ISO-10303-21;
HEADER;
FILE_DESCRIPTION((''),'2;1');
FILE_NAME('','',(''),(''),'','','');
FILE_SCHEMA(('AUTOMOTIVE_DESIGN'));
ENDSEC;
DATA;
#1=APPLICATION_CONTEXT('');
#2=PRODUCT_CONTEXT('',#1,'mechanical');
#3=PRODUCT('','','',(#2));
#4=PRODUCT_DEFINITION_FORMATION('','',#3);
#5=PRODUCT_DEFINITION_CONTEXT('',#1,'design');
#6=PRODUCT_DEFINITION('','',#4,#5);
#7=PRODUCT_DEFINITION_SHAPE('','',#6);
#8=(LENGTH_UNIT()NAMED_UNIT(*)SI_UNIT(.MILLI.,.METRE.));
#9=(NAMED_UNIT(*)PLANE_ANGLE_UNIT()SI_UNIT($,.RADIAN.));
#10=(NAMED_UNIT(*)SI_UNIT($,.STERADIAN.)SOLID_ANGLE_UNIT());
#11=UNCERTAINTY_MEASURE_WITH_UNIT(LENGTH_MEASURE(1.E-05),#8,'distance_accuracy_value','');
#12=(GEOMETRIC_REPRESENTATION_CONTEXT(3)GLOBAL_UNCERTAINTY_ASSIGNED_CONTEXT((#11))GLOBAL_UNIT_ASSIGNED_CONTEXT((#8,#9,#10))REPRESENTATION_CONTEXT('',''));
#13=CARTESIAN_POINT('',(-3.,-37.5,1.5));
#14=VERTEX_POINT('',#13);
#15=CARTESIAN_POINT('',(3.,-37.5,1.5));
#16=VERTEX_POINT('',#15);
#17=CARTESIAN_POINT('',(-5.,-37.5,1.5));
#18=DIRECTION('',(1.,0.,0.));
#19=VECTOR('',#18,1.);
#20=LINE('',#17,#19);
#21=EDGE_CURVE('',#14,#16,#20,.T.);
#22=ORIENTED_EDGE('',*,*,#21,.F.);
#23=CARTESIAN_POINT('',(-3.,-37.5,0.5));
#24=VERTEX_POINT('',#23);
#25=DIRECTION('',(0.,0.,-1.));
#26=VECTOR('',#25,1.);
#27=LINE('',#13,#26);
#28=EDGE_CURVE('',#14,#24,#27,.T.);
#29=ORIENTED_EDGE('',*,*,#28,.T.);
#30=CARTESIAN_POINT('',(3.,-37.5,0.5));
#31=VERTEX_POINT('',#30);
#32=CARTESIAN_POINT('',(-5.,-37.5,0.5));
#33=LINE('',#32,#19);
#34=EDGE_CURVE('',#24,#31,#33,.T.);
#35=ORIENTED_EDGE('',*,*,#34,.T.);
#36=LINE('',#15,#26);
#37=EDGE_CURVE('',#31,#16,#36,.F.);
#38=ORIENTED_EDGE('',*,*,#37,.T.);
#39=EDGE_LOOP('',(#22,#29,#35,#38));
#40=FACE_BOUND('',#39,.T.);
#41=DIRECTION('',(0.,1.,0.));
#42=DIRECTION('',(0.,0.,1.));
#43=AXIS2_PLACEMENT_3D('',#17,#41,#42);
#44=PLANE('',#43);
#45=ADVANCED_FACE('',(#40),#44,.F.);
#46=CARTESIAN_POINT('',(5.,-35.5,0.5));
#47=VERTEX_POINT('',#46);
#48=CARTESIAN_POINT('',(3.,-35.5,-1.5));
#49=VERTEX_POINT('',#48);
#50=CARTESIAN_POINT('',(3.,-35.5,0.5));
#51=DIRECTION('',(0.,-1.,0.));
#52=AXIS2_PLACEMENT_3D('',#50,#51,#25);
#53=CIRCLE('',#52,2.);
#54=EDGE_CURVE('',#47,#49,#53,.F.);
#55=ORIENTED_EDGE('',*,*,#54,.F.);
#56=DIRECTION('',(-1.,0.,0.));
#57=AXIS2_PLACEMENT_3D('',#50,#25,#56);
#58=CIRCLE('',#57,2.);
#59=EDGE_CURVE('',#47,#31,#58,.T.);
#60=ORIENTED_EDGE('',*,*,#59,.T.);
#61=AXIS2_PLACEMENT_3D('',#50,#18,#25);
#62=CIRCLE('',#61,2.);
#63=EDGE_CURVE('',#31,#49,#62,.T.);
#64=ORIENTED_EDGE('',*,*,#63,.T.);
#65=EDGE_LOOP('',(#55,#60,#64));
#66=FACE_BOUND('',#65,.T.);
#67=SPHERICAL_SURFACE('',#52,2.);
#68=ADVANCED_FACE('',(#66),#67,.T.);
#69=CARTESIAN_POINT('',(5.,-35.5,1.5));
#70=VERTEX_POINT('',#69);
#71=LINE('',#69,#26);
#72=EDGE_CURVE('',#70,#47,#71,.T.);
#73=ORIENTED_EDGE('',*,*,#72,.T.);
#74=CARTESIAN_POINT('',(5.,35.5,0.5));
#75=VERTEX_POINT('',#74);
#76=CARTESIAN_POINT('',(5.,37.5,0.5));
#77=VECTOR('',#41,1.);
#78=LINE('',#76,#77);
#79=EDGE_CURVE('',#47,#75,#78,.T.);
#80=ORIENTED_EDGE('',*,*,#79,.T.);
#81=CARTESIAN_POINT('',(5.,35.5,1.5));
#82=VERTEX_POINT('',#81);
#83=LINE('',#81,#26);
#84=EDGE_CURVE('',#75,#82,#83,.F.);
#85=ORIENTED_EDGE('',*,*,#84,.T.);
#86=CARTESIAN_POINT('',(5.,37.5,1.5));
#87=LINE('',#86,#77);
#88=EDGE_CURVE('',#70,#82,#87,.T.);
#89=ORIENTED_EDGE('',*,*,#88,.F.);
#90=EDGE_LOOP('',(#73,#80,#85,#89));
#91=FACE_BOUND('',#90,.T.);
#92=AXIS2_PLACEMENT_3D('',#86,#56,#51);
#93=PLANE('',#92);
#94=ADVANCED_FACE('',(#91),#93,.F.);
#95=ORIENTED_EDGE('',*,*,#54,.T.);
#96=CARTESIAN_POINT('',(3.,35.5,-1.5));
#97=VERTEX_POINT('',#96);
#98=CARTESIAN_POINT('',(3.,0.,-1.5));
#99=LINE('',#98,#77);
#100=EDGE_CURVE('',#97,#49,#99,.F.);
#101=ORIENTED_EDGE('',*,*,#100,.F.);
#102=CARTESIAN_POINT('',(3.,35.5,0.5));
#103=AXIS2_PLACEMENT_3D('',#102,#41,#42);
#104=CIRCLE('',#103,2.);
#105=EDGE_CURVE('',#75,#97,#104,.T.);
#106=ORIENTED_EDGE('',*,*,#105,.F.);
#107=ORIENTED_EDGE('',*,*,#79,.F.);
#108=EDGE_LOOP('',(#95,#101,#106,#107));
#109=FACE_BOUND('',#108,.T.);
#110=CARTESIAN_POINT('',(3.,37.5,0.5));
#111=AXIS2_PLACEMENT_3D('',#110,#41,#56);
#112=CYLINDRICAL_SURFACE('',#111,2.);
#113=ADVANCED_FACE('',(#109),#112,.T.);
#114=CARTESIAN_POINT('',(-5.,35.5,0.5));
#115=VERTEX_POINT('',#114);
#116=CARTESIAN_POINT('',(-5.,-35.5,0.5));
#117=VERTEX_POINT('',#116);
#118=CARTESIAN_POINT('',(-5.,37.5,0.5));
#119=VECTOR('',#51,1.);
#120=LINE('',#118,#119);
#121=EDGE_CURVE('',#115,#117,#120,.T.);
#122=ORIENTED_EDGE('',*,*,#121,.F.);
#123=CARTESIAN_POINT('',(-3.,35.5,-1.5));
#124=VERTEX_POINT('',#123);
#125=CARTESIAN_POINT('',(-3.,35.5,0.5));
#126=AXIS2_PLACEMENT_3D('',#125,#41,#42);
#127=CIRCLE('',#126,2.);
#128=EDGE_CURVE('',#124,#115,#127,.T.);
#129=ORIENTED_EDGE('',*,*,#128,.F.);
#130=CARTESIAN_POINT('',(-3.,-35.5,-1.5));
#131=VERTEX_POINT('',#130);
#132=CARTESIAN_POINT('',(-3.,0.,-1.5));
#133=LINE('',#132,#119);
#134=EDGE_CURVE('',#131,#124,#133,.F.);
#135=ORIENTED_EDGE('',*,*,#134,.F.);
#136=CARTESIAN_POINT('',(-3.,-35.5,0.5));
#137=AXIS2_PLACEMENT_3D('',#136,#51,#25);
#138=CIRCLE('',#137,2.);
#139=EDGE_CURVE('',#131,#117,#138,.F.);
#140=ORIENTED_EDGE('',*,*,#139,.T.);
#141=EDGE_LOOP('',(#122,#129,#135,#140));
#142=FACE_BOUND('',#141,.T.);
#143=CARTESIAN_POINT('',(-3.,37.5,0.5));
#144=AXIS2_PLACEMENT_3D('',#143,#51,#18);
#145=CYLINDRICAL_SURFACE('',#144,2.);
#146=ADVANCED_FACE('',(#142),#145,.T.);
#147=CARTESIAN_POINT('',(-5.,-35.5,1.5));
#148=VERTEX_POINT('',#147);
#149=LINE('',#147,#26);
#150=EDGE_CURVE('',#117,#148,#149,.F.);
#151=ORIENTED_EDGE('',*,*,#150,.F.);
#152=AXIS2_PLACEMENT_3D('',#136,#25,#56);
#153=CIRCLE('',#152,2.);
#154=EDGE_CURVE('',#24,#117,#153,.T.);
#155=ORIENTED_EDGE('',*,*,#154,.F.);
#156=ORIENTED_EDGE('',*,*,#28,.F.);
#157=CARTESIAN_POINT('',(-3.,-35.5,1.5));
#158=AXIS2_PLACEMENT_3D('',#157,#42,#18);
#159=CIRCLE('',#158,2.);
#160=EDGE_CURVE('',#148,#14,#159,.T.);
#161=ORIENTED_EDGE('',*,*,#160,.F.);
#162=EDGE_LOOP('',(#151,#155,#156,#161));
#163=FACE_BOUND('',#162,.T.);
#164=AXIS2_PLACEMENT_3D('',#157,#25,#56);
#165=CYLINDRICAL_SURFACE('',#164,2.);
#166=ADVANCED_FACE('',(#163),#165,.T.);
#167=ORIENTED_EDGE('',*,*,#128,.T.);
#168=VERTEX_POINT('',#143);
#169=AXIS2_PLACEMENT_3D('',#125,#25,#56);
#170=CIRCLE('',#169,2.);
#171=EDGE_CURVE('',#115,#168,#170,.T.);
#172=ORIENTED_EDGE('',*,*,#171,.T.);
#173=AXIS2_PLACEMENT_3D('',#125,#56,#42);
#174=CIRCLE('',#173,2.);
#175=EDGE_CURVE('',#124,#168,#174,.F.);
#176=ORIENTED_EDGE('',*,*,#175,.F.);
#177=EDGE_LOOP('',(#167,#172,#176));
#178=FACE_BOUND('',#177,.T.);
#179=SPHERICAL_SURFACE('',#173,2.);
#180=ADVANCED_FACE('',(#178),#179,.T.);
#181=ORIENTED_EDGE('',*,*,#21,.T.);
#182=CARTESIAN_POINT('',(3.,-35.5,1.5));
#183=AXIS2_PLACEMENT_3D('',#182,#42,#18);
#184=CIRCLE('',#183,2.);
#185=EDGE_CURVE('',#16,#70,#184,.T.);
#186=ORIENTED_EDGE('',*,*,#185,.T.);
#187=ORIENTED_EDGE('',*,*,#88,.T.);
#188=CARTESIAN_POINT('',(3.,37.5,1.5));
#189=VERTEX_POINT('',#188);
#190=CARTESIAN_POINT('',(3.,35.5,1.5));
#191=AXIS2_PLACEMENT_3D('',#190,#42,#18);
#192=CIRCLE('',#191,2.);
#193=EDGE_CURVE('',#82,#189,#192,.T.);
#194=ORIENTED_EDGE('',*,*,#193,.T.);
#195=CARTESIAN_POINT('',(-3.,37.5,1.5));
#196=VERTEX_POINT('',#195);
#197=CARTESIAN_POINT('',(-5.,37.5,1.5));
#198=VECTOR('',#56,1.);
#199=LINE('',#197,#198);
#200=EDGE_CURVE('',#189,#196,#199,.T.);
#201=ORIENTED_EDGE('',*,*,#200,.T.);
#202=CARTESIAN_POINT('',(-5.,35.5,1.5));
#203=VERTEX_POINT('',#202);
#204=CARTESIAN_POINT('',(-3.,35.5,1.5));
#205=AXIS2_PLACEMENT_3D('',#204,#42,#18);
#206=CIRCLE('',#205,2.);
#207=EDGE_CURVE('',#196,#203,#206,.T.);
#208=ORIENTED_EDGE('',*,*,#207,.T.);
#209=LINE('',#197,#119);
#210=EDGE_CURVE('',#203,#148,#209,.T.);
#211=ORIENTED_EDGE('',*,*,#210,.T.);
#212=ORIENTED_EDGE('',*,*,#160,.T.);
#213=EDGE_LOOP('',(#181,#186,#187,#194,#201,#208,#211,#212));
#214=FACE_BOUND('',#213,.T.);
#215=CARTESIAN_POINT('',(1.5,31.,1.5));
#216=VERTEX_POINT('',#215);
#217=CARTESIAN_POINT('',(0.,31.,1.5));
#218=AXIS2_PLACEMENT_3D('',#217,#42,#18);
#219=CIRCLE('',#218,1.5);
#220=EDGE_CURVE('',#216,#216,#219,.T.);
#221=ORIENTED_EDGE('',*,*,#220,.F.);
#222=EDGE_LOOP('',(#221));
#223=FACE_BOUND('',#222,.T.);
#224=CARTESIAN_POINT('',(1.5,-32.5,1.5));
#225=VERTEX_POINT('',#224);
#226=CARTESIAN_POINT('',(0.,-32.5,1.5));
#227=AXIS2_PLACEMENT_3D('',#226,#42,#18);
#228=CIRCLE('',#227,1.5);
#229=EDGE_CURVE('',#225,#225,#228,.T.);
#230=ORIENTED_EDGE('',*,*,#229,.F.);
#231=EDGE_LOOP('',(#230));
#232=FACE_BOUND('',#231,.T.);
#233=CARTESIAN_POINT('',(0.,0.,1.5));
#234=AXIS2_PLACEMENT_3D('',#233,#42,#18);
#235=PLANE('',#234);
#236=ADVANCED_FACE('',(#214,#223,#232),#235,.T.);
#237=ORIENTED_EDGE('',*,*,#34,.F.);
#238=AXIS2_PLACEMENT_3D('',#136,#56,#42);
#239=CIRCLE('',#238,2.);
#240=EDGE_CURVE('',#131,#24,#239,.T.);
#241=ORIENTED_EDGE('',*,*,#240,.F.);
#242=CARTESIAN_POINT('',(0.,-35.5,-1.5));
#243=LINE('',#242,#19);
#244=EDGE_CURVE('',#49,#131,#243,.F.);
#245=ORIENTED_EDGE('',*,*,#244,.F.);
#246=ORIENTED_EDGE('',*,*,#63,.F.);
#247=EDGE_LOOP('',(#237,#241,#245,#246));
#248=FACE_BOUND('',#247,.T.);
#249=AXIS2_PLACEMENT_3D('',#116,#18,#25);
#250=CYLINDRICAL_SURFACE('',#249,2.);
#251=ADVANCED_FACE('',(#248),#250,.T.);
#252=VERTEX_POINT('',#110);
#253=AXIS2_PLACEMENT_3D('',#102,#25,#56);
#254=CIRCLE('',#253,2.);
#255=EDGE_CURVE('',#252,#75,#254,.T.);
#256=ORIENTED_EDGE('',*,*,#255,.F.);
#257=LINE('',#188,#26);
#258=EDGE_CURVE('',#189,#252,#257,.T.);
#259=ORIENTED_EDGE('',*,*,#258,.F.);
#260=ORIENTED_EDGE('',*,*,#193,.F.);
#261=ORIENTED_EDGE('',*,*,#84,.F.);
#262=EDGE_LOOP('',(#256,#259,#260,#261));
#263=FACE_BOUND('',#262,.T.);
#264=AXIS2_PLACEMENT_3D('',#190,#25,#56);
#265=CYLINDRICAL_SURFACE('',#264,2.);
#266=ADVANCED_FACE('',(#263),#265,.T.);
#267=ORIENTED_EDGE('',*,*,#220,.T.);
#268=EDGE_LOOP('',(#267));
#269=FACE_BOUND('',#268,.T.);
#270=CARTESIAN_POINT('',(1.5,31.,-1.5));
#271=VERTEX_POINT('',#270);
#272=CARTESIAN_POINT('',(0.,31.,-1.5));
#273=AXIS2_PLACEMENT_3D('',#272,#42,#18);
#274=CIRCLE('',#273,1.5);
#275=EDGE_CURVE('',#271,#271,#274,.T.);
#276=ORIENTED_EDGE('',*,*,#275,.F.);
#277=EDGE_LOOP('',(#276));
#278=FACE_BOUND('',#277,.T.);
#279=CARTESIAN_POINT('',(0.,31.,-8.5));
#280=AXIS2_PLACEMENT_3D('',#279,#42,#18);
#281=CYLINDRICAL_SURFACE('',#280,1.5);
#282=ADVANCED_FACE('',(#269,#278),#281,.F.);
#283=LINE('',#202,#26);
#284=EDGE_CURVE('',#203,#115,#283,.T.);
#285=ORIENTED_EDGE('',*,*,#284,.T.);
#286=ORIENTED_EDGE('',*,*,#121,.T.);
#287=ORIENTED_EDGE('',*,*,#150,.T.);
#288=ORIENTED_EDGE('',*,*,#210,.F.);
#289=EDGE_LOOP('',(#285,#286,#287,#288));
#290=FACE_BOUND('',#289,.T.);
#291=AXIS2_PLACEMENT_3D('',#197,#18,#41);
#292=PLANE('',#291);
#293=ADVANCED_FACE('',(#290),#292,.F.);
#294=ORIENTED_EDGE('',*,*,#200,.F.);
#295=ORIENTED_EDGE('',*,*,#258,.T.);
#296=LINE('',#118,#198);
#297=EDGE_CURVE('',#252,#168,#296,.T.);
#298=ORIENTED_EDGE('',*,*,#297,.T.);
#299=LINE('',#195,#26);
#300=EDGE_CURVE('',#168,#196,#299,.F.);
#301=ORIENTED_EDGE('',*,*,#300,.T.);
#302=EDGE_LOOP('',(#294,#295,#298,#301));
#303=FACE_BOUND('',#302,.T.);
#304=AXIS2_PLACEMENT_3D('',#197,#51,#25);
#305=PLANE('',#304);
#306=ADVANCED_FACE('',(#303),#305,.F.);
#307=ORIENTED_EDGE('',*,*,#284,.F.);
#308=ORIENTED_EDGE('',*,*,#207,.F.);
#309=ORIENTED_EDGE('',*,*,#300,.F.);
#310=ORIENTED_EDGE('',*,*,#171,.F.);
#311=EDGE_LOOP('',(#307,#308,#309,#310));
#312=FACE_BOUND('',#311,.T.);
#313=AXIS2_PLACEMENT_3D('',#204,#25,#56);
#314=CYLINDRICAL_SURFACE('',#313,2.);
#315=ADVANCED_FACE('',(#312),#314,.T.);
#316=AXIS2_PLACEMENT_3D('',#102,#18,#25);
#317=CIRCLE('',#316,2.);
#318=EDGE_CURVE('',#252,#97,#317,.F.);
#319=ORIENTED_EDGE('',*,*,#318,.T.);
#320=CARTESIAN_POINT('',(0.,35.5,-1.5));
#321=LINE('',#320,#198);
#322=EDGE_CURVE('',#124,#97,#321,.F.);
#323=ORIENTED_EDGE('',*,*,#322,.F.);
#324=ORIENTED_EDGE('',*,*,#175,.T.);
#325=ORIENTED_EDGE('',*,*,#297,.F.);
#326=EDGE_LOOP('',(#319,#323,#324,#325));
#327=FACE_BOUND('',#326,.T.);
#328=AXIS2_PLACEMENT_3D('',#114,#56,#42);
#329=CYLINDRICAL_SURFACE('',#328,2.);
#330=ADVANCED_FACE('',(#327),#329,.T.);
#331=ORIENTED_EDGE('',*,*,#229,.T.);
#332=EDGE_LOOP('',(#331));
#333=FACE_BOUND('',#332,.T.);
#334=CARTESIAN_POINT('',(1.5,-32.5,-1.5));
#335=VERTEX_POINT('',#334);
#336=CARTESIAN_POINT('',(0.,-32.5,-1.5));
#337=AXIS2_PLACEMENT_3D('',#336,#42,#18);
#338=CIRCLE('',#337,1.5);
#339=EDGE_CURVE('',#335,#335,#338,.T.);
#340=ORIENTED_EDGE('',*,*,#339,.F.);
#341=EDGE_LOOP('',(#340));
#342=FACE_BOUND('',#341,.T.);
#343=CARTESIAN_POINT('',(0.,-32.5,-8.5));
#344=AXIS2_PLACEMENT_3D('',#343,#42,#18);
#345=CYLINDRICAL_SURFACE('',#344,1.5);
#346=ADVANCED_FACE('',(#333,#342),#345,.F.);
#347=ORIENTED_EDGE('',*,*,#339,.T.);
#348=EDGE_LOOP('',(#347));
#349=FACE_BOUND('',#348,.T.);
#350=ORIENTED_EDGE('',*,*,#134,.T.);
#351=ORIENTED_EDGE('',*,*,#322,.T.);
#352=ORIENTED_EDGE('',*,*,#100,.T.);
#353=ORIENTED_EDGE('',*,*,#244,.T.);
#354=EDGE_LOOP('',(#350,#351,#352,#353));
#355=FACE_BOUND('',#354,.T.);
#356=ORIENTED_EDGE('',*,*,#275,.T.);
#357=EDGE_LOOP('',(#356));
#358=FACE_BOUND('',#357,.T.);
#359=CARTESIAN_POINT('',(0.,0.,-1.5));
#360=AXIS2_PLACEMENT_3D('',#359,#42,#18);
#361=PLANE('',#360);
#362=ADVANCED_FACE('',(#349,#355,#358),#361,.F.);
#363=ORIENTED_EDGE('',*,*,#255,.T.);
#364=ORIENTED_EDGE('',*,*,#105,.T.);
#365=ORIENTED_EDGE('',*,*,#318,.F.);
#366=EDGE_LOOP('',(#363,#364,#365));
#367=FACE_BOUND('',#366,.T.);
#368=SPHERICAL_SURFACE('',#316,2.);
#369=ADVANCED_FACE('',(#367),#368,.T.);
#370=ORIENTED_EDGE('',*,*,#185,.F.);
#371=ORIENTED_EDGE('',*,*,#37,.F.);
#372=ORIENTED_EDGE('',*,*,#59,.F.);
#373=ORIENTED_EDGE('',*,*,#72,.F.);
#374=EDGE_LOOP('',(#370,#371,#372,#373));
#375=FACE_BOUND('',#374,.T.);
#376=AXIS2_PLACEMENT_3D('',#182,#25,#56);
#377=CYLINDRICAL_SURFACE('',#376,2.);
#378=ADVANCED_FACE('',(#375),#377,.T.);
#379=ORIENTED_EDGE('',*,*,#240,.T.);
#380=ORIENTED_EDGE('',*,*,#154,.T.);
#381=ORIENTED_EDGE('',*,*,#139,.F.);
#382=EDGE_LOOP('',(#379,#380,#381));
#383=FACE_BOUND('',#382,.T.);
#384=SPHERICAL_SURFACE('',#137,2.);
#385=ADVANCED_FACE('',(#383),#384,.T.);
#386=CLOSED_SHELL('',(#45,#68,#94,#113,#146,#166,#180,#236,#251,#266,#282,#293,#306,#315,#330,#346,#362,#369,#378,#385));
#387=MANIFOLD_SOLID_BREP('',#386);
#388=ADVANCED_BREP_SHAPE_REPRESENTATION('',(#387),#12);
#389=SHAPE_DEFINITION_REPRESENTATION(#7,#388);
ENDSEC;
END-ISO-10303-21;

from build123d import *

# Parameters (mm, degrees)
SKETCH_1_W          = 10
SKETCH_1_H          = 75
EXTRUDE_1_DEPTH     = 1.5
FILLET_1_R          = 2
SKETCH_3_R          = 1.5
CUT_EXTRUDE_1_DEPTH = 10


with BuildPart() as part:
    # 草图1 → 凸台-拉伸1 (new, symmetric)
    with BuildSketch(Plane.XY):
        Rectangle(SKETCH_1_W, SKETCH_1_H)
    extrude(amount=EXTRUDE_1_DEPTH, both=True)

    # 圆角1
    fillet_1_edges = [part.edges().sort_by_distance(p)[0] for p in [
        (0, -37.5, -1.5),
        (-5, 0, -1.5),
        (0, 37.5, -1.5),
        (5, 0, -1.5),
        (5, -37.5, 0),
        (-5, -37.5, 0),
        (-5, 37.5, 0),
        (5, 37.5, 0),
    ]]
    fillet(fillet_1_edges, radius=FILLET_1_R)

    # 草图3 → 切除-拉伸1 (cut)
    with BuildSketch(Plane.XY.offset(1.5)):
        with Locations((0, 31)):
            Circle(SKETCH_3_R)
        with Locations((0, -32.5)):
            Circle(SKETCH_3_R)
    extrude(amount=-CUT_EXTRUDE_1_DEPTH, mode=Mode.SUBTRACT)


solid = part.part
